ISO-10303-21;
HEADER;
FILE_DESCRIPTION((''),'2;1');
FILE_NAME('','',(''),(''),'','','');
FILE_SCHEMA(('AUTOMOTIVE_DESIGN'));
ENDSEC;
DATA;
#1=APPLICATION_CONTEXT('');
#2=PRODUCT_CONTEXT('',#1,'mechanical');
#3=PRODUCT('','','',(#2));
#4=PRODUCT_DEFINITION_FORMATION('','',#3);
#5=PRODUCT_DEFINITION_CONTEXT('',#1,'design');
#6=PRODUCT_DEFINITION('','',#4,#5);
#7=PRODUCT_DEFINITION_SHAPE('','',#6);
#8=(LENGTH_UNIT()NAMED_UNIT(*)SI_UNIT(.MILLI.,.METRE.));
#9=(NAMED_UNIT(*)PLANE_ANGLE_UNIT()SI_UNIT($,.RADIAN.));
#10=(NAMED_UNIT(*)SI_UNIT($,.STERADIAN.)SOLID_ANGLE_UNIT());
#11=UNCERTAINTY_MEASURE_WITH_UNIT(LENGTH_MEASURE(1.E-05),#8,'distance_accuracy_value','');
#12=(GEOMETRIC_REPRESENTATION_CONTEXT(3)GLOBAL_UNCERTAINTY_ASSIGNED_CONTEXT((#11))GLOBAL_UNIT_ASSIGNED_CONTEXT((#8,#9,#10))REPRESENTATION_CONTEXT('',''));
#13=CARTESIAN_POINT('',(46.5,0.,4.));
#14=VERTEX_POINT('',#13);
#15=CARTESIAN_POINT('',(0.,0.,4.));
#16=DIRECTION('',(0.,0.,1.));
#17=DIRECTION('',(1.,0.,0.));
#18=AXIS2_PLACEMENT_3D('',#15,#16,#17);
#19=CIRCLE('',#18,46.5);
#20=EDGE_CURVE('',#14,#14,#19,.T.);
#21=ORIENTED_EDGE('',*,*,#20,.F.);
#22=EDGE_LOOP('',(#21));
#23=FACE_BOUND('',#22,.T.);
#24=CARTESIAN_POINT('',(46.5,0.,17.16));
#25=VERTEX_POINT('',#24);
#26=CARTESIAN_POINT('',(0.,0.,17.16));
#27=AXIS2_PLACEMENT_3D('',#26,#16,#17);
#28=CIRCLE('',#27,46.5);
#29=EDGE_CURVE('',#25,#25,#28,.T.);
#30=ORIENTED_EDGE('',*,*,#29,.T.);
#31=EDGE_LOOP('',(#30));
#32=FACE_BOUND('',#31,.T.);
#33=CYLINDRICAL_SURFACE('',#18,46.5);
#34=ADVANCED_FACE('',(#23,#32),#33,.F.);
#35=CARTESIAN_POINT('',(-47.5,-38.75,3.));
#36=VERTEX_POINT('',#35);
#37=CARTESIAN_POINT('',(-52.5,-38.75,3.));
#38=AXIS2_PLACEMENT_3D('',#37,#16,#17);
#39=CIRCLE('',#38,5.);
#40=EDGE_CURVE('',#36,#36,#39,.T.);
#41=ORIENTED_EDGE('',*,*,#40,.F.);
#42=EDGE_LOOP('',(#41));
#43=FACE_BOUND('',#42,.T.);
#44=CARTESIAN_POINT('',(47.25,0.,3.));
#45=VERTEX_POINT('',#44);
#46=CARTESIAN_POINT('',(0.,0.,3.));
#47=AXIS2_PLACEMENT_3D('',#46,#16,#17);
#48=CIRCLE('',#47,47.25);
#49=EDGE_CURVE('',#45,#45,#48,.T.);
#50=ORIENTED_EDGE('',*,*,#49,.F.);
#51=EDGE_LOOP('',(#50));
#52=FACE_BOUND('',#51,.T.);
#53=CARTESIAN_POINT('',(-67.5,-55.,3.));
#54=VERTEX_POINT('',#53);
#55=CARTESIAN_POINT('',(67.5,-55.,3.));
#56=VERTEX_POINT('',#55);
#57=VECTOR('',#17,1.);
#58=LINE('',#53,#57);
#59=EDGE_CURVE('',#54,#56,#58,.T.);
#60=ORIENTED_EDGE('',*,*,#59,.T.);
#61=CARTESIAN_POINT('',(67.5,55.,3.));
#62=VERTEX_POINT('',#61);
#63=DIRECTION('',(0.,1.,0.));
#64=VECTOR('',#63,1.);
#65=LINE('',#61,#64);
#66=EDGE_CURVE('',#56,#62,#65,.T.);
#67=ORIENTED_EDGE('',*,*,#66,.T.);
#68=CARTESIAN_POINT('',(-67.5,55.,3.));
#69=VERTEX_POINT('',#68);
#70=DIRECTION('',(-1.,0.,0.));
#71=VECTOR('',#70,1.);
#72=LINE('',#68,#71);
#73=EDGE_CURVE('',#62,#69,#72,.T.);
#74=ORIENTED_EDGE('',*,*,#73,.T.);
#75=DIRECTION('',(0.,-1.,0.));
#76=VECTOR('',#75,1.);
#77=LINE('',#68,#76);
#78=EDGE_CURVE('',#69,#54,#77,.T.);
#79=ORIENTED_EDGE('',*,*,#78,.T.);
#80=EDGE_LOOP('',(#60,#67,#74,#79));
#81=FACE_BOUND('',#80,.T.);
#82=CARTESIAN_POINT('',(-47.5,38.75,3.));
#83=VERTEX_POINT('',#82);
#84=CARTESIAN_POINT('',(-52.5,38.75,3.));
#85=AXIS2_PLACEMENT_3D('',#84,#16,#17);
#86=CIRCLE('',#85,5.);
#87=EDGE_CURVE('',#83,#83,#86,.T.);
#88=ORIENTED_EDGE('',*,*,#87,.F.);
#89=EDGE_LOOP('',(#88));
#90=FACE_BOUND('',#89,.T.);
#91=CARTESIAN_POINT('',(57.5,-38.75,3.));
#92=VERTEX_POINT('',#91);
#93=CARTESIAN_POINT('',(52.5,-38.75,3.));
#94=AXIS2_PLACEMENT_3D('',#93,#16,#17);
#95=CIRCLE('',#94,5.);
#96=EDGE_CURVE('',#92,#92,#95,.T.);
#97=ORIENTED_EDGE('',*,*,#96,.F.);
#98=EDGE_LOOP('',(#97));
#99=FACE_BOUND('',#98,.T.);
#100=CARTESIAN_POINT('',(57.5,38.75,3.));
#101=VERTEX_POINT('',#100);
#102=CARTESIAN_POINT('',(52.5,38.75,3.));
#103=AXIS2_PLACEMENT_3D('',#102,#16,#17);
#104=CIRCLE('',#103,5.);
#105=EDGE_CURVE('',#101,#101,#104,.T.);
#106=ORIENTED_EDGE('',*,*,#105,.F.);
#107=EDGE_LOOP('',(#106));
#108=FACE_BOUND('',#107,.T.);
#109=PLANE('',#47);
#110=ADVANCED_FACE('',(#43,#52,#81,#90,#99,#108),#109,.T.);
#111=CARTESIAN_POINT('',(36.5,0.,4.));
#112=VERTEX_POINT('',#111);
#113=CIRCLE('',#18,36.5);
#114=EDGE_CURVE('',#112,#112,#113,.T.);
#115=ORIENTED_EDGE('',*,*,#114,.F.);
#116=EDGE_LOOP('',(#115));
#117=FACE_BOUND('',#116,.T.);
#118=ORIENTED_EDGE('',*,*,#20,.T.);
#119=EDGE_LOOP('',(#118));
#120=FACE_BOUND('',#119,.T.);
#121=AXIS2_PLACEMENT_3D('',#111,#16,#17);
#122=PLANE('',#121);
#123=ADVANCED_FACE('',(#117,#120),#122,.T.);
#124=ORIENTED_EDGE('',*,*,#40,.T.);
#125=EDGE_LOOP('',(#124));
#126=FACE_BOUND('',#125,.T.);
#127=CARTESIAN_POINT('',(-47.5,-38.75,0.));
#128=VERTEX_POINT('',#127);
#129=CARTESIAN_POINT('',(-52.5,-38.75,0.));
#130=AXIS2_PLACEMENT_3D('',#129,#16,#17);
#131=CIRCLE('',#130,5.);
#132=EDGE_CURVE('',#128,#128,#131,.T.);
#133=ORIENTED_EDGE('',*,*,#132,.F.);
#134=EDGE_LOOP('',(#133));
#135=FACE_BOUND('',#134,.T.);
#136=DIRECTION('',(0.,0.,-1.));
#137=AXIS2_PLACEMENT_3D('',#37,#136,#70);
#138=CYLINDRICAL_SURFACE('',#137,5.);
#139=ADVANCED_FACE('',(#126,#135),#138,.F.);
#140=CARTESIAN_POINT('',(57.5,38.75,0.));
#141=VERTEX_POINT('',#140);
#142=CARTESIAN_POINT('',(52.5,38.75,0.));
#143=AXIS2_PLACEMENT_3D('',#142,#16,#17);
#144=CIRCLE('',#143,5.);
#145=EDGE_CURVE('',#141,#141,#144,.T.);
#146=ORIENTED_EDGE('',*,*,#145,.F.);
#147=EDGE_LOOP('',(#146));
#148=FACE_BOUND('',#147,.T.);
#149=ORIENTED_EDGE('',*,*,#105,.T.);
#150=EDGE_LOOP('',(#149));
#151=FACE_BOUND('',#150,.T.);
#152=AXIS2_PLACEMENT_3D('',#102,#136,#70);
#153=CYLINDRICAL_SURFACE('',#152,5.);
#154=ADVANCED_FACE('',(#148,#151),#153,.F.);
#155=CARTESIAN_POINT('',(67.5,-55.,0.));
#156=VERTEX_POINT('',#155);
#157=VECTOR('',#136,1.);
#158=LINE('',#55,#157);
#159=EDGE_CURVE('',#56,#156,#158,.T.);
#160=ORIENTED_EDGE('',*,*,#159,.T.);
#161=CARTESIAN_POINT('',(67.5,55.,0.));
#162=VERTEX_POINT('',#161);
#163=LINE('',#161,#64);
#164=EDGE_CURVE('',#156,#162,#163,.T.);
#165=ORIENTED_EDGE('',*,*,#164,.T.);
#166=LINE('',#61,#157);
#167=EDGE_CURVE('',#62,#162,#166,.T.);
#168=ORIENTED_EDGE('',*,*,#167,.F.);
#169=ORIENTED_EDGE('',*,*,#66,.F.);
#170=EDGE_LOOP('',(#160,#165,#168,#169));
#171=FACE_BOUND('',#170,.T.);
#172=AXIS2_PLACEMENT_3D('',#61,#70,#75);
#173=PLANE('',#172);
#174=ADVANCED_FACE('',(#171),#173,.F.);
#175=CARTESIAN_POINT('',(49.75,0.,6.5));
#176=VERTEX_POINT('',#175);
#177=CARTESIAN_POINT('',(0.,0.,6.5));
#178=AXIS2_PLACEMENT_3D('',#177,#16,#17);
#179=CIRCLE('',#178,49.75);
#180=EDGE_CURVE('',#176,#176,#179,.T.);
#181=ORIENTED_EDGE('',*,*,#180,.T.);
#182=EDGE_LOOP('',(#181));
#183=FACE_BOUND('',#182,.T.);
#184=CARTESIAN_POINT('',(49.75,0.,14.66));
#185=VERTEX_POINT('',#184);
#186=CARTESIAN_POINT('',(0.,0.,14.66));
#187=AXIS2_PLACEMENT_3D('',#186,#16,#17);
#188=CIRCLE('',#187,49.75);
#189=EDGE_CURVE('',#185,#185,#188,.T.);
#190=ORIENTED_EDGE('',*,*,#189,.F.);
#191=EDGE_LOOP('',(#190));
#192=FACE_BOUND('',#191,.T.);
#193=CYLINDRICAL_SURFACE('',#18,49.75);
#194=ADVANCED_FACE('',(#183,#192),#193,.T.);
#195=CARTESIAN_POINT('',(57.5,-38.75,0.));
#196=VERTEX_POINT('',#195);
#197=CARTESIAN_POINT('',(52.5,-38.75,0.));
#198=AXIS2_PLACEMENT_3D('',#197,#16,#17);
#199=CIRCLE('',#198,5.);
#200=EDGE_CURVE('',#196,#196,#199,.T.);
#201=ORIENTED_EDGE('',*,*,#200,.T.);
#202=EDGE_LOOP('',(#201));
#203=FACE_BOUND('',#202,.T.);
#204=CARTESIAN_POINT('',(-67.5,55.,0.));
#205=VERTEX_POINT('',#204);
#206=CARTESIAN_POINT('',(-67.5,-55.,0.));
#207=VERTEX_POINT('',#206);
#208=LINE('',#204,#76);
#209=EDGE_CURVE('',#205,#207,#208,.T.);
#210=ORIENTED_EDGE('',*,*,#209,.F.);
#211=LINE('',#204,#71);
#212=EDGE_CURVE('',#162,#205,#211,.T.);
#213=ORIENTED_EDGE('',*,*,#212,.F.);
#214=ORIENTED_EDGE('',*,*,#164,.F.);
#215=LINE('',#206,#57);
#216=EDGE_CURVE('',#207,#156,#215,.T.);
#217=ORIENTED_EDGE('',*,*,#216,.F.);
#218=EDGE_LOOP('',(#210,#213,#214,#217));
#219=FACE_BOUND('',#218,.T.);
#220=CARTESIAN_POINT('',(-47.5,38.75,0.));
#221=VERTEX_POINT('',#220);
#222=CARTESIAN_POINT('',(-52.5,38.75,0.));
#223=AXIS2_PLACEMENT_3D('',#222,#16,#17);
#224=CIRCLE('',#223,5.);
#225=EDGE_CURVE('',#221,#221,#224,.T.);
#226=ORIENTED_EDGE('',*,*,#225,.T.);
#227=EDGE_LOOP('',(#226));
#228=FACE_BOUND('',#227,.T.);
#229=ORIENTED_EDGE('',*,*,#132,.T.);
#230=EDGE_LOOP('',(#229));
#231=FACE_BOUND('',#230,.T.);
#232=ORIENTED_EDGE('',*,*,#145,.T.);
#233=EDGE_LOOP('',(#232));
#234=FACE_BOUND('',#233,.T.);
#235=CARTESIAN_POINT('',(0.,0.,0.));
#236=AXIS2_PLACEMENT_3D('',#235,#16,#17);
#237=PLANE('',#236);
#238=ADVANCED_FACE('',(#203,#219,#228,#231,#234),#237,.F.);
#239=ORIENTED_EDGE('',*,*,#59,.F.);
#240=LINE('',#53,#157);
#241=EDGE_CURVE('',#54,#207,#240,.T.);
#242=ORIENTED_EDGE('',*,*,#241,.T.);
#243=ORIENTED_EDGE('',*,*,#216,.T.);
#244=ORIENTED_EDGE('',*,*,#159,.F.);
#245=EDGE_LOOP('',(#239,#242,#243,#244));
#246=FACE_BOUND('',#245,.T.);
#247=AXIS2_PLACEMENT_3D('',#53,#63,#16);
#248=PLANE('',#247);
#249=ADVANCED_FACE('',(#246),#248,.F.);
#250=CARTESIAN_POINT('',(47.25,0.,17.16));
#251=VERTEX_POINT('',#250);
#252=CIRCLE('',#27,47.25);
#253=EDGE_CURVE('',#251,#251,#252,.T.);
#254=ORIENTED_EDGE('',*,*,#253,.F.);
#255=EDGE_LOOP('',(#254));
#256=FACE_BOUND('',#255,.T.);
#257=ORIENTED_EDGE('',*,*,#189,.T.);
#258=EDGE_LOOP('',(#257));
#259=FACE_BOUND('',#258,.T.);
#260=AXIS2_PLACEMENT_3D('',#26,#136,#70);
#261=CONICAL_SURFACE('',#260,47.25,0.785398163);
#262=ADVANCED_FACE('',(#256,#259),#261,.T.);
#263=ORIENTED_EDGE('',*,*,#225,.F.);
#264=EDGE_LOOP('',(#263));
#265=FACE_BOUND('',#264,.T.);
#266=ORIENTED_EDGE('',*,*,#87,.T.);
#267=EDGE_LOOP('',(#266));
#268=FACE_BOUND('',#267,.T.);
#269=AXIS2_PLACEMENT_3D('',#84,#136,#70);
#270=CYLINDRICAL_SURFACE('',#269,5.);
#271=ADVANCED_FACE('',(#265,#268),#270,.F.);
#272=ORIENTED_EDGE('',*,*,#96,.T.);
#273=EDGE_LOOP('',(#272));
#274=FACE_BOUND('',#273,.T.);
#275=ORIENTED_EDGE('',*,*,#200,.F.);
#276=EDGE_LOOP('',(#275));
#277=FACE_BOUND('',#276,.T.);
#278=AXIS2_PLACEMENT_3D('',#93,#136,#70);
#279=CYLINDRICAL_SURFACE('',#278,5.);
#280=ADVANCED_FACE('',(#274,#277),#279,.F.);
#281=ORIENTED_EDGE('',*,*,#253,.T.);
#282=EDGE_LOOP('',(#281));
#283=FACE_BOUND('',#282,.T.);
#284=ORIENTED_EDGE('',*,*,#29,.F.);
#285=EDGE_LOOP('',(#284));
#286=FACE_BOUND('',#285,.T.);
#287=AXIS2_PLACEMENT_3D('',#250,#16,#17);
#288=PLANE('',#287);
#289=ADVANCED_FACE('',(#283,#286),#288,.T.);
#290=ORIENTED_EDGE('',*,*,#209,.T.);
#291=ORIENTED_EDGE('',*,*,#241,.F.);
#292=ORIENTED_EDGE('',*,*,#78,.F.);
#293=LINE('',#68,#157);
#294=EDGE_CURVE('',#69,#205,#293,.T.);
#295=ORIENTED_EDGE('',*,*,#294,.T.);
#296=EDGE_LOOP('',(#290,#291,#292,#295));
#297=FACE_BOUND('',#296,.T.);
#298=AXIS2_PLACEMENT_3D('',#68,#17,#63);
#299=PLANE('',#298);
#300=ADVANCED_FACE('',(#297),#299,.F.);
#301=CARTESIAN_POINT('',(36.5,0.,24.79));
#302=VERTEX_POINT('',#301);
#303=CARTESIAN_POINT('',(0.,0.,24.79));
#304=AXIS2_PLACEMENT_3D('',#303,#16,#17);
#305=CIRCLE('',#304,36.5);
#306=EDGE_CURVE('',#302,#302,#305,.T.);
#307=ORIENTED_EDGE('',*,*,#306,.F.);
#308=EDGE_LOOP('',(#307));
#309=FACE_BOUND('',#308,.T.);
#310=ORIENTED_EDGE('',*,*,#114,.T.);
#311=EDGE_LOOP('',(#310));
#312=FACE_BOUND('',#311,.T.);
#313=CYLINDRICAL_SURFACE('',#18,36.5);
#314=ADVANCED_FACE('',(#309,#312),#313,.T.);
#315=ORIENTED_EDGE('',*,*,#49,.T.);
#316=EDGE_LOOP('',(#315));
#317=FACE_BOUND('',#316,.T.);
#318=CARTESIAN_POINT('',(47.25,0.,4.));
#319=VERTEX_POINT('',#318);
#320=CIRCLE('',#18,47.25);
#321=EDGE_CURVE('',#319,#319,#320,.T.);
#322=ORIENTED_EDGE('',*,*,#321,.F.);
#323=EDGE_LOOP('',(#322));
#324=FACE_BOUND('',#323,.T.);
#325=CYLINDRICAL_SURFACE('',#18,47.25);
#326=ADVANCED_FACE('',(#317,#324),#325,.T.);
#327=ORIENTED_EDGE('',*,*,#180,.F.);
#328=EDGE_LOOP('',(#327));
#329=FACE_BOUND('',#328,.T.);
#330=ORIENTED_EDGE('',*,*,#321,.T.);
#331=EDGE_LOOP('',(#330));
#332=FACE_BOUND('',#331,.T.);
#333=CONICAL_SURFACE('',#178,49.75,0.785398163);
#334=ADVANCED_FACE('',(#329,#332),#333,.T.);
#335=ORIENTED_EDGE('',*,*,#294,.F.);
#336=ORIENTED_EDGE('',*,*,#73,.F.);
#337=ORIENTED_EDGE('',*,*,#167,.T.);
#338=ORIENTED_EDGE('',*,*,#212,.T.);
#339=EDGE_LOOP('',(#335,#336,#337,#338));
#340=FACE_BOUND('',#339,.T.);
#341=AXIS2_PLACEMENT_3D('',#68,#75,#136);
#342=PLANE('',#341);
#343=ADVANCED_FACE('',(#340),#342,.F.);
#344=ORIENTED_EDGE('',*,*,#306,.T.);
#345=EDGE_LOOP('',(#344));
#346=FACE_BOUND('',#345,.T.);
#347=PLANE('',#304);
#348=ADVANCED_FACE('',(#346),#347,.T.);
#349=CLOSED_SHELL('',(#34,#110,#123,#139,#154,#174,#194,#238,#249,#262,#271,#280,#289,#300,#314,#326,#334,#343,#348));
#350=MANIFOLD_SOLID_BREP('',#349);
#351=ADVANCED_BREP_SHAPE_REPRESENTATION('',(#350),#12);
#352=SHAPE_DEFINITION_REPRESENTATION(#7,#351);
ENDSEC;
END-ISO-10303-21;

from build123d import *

# Parameters (mm, degrees)
SCHIZZO1_W                   = 135
SCHIZZO1_H                   = 110
SCHIZZO1_R                   = 5
ESTRUSIONE_ESTRUSIONE1_DEPTH = 3


with BuildPart() as part:
    # Schizzo1 → Estrusione-Estrusione1 (new body)
    with BuildSketch(Plane.XY):
        Rectangle(SCHIZZO1_W, SCHIZZO1_H)
        with Locations((-52.5, 38.75)):
            Circle(SCHIZZO1_R, mode=Mode.SUBTRACT)
        with Locations((-52.5, -38.75)):
            Circle(SCHIZZO1_R, mode=Mode.SUBTRACT)
        with Locations((52.5, -38.75)):
            Circle(SCHIZZO1_R, mode=Mode.SUBTRACT)
        with Locations((52.5, 38.75)):
            Circle(SCHIZZO1_R, mode=Mode.SUBTRACT)
    extrude(amount=ESTRUSIONE_ESTRUSIONE1_DEPTH)

    # Schizzo3 → Rivoluzione1 (revolve)
    with BuildSketch(Plane(origin=(0, 0, 0), x_dir=(1, 0, 0), z_dir=(0, 1, 0))):
        Polygon((47.25, -4), (49.75, -6.5), (49.75, -14.66), (47.25, -17.16), (46.5, -17.16), (46.5, -4), (36.5, -4), (36.5, -24.79), (0, -24.79), (0, -4), (0, -3), (47.25, -3), align=None)
    revolve(axis=Axis((0, 0, 4), (0, 0, -1)))


solid = part.part
